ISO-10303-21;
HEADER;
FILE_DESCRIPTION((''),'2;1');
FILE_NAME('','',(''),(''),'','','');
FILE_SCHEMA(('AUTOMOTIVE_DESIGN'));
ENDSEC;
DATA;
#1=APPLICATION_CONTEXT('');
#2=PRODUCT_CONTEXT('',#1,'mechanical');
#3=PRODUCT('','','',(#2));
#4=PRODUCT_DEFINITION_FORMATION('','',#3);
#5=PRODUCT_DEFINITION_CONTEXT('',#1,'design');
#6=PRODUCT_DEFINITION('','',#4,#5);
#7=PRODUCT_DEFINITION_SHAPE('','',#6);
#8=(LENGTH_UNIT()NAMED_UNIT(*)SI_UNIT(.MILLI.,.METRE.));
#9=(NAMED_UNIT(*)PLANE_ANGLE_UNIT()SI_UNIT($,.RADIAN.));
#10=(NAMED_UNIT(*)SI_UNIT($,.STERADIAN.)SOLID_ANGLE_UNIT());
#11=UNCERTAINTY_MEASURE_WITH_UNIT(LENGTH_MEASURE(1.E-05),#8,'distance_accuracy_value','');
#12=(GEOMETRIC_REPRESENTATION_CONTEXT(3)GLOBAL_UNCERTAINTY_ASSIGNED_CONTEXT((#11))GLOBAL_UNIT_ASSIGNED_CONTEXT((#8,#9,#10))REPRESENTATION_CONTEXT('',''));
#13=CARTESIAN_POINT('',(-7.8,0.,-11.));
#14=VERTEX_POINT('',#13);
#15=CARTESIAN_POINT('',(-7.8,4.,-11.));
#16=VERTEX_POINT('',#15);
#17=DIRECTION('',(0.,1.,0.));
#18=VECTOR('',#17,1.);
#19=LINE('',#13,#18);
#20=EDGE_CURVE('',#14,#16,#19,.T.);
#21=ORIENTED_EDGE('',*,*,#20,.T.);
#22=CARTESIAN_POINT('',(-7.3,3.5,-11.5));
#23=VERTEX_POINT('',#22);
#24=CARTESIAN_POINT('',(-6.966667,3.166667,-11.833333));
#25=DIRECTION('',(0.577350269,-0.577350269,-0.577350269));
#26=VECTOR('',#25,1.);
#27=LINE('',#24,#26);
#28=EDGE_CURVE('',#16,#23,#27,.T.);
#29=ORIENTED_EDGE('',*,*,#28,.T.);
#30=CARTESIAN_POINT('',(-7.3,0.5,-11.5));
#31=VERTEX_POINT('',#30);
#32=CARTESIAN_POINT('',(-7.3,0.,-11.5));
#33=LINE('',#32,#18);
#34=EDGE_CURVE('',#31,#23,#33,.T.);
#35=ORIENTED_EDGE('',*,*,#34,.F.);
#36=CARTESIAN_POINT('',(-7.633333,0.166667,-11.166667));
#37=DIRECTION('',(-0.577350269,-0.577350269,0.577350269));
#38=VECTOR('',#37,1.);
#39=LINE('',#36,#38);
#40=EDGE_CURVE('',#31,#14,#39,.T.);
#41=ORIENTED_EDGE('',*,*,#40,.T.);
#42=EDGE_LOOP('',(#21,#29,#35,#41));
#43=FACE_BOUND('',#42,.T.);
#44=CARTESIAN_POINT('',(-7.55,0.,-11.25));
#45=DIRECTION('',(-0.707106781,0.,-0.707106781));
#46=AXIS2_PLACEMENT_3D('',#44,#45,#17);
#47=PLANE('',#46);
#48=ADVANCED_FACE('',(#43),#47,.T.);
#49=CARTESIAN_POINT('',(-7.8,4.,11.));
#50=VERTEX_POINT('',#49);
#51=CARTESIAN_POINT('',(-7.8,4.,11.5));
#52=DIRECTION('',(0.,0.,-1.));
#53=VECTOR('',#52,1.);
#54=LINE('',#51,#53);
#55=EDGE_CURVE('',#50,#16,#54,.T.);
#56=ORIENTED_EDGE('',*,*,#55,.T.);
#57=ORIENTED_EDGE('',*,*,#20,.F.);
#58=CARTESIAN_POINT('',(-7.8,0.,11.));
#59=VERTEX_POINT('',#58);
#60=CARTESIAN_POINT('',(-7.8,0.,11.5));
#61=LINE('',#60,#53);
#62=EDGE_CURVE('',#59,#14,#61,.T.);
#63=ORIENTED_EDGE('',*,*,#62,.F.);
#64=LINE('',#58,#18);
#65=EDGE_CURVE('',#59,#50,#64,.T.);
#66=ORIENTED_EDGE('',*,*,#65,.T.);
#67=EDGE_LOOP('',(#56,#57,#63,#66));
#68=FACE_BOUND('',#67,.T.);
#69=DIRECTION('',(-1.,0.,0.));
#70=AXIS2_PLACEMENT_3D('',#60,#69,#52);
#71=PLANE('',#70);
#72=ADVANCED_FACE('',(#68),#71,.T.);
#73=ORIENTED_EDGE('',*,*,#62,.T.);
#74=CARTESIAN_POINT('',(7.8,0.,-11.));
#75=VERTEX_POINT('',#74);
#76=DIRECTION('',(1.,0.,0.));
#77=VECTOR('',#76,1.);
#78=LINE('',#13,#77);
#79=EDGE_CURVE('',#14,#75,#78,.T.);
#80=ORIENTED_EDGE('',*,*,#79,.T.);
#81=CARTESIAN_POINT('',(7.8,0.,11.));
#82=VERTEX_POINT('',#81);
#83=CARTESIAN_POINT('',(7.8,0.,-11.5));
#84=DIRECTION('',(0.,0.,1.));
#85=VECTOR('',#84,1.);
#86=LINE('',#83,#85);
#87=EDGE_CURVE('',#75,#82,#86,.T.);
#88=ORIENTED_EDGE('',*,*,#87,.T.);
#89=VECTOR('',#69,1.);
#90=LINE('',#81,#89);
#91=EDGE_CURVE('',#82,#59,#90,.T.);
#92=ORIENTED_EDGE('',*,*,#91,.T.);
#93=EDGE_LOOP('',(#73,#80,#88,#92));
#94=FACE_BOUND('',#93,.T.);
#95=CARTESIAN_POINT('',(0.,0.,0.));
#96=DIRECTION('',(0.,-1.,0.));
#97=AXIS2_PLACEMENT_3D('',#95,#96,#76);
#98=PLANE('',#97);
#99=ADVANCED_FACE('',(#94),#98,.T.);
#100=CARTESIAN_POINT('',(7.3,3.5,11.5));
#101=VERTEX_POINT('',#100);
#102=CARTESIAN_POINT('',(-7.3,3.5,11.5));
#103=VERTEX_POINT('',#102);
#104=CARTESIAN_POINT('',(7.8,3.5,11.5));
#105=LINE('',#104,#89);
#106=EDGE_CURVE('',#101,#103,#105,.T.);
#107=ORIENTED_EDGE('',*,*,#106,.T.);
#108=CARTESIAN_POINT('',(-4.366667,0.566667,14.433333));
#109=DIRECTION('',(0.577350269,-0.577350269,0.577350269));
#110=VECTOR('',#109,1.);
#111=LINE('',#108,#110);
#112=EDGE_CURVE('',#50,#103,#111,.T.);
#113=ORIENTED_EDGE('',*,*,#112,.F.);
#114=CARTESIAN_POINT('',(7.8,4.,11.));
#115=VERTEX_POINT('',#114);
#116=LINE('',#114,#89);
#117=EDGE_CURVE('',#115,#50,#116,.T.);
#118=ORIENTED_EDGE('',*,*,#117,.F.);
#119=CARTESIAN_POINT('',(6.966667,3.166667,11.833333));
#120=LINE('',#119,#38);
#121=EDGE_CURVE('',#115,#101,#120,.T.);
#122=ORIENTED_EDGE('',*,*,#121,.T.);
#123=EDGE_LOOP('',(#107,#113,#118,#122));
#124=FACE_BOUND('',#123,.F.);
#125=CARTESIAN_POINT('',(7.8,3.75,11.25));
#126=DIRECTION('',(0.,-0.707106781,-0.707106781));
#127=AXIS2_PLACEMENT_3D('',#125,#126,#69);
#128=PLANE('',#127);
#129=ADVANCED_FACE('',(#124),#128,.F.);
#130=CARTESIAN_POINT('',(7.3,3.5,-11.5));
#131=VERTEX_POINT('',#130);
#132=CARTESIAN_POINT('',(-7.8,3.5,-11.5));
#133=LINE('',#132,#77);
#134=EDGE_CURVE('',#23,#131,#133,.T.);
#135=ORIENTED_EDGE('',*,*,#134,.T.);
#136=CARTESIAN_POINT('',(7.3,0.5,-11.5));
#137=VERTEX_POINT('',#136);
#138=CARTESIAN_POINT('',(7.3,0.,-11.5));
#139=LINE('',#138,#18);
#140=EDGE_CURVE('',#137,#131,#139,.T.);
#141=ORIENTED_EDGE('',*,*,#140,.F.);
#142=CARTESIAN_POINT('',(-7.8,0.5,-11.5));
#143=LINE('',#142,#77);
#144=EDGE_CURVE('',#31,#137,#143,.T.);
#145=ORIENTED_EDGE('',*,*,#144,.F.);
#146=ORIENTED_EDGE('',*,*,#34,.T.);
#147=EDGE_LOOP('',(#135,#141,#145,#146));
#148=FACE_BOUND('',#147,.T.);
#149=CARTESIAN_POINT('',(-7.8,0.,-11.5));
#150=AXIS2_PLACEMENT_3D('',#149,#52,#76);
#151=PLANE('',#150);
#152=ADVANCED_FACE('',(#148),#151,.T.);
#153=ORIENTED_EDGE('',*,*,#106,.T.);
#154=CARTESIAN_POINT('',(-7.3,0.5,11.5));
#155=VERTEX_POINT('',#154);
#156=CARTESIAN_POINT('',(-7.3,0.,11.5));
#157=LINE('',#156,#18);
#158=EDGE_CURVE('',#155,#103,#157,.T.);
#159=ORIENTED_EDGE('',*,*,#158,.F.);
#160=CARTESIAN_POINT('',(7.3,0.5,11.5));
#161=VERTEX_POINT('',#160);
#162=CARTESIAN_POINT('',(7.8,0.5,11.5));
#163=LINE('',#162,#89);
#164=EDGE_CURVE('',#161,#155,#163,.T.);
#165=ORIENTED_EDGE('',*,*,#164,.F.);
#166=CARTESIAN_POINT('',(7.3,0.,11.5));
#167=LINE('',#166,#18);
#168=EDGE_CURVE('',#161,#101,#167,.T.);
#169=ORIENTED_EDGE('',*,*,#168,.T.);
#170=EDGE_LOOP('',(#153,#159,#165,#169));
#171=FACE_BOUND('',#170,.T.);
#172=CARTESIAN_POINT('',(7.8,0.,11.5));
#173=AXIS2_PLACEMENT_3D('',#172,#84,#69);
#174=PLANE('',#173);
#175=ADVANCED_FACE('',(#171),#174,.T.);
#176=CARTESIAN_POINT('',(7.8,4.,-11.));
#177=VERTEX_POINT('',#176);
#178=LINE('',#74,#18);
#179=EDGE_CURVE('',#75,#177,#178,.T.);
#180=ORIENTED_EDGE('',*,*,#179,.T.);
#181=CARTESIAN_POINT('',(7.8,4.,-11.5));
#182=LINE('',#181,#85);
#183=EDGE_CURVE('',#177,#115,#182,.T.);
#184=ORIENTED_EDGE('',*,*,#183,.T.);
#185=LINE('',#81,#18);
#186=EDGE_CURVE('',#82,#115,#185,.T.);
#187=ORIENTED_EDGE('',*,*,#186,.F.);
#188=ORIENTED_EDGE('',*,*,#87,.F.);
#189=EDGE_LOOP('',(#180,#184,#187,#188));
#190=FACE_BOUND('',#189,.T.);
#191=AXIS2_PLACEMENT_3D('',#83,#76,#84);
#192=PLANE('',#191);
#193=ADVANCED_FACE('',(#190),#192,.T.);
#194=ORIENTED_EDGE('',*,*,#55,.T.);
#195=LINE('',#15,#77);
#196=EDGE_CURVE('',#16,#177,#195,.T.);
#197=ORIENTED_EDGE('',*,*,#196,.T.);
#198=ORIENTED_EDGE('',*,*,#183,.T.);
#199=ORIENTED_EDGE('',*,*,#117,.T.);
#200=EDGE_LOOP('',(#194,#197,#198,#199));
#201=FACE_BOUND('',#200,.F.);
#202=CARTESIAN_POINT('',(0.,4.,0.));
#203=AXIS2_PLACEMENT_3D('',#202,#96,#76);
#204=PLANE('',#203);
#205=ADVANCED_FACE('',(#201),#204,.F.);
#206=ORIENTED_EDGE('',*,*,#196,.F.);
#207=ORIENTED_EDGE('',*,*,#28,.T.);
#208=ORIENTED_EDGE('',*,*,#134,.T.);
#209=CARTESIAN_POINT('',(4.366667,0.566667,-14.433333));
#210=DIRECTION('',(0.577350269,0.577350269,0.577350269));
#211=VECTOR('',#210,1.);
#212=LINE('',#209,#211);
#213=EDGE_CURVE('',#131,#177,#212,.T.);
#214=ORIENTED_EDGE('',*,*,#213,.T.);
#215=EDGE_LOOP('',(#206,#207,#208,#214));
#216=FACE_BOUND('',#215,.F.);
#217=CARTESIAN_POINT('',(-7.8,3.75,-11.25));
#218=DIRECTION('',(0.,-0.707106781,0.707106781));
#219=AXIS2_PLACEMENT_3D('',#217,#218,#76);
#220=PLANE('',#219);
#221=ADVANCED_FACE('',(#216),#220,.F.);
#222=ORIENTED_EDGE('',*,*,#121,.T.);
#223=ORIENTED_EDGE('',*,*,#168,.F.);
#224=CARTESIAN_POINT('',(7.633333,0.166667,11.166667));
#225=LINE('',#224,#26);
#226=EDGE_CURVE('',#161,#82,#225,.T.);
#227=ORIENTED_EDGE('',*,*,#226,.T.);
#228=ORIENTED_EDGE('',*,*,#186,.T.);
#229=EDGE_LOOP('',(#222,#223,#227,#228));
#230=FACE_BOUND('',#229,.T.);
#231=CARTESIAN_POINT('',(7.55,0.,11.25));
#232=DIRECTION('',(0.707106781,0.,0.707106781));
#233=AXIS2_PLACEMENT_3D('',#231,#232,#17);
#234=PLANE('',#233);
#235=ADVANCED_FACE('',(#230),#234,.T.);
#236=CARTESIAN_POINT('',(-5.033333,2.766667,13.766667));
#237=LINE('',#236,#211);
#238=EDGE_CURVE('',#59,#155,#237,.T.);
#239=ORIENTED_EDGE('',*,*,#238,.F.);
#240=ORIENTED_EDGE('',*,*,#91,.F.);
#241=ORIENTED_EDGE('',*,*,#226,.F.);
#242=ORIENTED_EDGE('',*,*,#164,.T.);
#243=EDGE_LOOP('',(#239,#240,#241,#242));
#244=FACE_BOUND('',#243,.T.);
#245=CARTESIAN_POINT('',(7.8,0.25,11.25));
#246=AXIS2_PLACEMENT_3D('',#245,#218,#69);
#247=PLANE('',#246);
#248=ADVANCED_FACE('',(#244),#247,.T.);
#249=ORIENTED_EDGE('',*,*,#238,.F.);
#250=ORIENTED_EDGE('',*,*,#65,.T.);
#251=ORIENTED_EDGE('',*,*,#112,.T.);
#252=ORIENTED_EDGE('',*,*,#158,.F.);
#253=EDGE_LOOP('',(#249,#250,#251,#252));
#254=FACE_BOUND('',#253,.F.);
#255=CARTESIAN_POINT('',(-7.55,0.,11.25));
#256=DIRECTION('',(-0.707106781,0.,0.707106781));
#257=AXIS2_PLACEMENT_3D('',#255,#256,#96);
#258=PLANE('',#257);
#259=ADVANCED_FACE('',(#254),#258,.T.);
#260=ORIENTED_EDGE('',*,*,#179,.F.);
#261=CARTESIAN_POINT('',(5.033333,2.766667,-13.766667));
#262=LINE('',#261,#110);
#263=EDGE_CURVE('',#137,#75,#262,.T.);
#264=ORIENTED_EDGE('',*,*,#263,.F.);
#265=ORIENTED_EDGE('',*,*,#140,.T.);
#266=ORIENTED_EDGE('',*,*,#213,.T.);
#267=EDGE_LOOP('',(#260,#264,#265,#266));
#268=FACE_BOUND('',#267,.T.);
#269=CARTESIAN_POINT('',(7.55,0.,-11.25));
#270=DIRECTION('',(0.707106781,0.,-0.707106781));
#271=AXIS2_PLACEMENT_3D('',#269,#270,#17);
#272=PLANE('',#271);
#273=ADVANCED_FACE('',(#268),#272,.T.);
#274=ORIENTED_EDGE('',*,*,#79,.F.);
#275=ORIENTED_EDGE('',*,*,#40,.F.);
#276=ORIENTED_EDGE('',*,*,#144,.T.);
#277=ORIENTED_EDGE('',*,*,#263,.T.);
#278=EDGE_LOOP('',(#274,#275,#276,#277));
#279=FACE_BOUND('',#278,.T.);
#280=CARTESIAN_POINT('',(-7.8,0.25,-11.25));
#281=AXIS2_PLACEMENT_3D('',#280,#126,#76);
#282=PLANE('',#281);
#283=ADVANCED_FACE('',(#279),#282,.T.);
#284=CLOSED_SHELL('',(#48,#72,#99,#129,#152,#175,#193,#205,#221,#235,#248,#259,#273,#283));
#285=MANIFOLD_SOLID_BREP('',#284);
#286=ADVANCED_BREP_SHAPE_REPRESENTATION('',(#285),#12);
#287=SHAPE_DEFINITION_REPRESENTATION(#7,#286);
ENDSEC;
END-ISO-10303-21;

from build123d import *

# Parameters (mm, degrees)
F1_DEPTH = 4
F2_SIZE  = 0.5


with BuildPart() as f1:
    # F0 (on Front) → F1 (new body)
    with BuildSketch(Plane.XZ):
        Polygon((0, 11.5), (-7.8, 11.5), (-7.8, 0), (-7.8, -11.5), (0, -11.5), (7.8, -11.5), (7.8, 0), (7.8, 11.5), align=None)
    extrude(amount=-F1_DEPTH)

    # F2
    f2_edges = [f1.edges().sort_by_distance(p)[0] for p in [
        (-7.8, 2, 11.5),
        (0, 0, 11.5),
        (7.8, 2, 11.5),
        (0, 4, 11.5),
        (0, 0, -11.5),
        (-7.8, 2, -11.5),
        (7.8, 2, -11.5),
        (0, 4, -11.5),
    ]]
    chamfer(f2_edges, length=F2_SIZE)


solid = f1.part
